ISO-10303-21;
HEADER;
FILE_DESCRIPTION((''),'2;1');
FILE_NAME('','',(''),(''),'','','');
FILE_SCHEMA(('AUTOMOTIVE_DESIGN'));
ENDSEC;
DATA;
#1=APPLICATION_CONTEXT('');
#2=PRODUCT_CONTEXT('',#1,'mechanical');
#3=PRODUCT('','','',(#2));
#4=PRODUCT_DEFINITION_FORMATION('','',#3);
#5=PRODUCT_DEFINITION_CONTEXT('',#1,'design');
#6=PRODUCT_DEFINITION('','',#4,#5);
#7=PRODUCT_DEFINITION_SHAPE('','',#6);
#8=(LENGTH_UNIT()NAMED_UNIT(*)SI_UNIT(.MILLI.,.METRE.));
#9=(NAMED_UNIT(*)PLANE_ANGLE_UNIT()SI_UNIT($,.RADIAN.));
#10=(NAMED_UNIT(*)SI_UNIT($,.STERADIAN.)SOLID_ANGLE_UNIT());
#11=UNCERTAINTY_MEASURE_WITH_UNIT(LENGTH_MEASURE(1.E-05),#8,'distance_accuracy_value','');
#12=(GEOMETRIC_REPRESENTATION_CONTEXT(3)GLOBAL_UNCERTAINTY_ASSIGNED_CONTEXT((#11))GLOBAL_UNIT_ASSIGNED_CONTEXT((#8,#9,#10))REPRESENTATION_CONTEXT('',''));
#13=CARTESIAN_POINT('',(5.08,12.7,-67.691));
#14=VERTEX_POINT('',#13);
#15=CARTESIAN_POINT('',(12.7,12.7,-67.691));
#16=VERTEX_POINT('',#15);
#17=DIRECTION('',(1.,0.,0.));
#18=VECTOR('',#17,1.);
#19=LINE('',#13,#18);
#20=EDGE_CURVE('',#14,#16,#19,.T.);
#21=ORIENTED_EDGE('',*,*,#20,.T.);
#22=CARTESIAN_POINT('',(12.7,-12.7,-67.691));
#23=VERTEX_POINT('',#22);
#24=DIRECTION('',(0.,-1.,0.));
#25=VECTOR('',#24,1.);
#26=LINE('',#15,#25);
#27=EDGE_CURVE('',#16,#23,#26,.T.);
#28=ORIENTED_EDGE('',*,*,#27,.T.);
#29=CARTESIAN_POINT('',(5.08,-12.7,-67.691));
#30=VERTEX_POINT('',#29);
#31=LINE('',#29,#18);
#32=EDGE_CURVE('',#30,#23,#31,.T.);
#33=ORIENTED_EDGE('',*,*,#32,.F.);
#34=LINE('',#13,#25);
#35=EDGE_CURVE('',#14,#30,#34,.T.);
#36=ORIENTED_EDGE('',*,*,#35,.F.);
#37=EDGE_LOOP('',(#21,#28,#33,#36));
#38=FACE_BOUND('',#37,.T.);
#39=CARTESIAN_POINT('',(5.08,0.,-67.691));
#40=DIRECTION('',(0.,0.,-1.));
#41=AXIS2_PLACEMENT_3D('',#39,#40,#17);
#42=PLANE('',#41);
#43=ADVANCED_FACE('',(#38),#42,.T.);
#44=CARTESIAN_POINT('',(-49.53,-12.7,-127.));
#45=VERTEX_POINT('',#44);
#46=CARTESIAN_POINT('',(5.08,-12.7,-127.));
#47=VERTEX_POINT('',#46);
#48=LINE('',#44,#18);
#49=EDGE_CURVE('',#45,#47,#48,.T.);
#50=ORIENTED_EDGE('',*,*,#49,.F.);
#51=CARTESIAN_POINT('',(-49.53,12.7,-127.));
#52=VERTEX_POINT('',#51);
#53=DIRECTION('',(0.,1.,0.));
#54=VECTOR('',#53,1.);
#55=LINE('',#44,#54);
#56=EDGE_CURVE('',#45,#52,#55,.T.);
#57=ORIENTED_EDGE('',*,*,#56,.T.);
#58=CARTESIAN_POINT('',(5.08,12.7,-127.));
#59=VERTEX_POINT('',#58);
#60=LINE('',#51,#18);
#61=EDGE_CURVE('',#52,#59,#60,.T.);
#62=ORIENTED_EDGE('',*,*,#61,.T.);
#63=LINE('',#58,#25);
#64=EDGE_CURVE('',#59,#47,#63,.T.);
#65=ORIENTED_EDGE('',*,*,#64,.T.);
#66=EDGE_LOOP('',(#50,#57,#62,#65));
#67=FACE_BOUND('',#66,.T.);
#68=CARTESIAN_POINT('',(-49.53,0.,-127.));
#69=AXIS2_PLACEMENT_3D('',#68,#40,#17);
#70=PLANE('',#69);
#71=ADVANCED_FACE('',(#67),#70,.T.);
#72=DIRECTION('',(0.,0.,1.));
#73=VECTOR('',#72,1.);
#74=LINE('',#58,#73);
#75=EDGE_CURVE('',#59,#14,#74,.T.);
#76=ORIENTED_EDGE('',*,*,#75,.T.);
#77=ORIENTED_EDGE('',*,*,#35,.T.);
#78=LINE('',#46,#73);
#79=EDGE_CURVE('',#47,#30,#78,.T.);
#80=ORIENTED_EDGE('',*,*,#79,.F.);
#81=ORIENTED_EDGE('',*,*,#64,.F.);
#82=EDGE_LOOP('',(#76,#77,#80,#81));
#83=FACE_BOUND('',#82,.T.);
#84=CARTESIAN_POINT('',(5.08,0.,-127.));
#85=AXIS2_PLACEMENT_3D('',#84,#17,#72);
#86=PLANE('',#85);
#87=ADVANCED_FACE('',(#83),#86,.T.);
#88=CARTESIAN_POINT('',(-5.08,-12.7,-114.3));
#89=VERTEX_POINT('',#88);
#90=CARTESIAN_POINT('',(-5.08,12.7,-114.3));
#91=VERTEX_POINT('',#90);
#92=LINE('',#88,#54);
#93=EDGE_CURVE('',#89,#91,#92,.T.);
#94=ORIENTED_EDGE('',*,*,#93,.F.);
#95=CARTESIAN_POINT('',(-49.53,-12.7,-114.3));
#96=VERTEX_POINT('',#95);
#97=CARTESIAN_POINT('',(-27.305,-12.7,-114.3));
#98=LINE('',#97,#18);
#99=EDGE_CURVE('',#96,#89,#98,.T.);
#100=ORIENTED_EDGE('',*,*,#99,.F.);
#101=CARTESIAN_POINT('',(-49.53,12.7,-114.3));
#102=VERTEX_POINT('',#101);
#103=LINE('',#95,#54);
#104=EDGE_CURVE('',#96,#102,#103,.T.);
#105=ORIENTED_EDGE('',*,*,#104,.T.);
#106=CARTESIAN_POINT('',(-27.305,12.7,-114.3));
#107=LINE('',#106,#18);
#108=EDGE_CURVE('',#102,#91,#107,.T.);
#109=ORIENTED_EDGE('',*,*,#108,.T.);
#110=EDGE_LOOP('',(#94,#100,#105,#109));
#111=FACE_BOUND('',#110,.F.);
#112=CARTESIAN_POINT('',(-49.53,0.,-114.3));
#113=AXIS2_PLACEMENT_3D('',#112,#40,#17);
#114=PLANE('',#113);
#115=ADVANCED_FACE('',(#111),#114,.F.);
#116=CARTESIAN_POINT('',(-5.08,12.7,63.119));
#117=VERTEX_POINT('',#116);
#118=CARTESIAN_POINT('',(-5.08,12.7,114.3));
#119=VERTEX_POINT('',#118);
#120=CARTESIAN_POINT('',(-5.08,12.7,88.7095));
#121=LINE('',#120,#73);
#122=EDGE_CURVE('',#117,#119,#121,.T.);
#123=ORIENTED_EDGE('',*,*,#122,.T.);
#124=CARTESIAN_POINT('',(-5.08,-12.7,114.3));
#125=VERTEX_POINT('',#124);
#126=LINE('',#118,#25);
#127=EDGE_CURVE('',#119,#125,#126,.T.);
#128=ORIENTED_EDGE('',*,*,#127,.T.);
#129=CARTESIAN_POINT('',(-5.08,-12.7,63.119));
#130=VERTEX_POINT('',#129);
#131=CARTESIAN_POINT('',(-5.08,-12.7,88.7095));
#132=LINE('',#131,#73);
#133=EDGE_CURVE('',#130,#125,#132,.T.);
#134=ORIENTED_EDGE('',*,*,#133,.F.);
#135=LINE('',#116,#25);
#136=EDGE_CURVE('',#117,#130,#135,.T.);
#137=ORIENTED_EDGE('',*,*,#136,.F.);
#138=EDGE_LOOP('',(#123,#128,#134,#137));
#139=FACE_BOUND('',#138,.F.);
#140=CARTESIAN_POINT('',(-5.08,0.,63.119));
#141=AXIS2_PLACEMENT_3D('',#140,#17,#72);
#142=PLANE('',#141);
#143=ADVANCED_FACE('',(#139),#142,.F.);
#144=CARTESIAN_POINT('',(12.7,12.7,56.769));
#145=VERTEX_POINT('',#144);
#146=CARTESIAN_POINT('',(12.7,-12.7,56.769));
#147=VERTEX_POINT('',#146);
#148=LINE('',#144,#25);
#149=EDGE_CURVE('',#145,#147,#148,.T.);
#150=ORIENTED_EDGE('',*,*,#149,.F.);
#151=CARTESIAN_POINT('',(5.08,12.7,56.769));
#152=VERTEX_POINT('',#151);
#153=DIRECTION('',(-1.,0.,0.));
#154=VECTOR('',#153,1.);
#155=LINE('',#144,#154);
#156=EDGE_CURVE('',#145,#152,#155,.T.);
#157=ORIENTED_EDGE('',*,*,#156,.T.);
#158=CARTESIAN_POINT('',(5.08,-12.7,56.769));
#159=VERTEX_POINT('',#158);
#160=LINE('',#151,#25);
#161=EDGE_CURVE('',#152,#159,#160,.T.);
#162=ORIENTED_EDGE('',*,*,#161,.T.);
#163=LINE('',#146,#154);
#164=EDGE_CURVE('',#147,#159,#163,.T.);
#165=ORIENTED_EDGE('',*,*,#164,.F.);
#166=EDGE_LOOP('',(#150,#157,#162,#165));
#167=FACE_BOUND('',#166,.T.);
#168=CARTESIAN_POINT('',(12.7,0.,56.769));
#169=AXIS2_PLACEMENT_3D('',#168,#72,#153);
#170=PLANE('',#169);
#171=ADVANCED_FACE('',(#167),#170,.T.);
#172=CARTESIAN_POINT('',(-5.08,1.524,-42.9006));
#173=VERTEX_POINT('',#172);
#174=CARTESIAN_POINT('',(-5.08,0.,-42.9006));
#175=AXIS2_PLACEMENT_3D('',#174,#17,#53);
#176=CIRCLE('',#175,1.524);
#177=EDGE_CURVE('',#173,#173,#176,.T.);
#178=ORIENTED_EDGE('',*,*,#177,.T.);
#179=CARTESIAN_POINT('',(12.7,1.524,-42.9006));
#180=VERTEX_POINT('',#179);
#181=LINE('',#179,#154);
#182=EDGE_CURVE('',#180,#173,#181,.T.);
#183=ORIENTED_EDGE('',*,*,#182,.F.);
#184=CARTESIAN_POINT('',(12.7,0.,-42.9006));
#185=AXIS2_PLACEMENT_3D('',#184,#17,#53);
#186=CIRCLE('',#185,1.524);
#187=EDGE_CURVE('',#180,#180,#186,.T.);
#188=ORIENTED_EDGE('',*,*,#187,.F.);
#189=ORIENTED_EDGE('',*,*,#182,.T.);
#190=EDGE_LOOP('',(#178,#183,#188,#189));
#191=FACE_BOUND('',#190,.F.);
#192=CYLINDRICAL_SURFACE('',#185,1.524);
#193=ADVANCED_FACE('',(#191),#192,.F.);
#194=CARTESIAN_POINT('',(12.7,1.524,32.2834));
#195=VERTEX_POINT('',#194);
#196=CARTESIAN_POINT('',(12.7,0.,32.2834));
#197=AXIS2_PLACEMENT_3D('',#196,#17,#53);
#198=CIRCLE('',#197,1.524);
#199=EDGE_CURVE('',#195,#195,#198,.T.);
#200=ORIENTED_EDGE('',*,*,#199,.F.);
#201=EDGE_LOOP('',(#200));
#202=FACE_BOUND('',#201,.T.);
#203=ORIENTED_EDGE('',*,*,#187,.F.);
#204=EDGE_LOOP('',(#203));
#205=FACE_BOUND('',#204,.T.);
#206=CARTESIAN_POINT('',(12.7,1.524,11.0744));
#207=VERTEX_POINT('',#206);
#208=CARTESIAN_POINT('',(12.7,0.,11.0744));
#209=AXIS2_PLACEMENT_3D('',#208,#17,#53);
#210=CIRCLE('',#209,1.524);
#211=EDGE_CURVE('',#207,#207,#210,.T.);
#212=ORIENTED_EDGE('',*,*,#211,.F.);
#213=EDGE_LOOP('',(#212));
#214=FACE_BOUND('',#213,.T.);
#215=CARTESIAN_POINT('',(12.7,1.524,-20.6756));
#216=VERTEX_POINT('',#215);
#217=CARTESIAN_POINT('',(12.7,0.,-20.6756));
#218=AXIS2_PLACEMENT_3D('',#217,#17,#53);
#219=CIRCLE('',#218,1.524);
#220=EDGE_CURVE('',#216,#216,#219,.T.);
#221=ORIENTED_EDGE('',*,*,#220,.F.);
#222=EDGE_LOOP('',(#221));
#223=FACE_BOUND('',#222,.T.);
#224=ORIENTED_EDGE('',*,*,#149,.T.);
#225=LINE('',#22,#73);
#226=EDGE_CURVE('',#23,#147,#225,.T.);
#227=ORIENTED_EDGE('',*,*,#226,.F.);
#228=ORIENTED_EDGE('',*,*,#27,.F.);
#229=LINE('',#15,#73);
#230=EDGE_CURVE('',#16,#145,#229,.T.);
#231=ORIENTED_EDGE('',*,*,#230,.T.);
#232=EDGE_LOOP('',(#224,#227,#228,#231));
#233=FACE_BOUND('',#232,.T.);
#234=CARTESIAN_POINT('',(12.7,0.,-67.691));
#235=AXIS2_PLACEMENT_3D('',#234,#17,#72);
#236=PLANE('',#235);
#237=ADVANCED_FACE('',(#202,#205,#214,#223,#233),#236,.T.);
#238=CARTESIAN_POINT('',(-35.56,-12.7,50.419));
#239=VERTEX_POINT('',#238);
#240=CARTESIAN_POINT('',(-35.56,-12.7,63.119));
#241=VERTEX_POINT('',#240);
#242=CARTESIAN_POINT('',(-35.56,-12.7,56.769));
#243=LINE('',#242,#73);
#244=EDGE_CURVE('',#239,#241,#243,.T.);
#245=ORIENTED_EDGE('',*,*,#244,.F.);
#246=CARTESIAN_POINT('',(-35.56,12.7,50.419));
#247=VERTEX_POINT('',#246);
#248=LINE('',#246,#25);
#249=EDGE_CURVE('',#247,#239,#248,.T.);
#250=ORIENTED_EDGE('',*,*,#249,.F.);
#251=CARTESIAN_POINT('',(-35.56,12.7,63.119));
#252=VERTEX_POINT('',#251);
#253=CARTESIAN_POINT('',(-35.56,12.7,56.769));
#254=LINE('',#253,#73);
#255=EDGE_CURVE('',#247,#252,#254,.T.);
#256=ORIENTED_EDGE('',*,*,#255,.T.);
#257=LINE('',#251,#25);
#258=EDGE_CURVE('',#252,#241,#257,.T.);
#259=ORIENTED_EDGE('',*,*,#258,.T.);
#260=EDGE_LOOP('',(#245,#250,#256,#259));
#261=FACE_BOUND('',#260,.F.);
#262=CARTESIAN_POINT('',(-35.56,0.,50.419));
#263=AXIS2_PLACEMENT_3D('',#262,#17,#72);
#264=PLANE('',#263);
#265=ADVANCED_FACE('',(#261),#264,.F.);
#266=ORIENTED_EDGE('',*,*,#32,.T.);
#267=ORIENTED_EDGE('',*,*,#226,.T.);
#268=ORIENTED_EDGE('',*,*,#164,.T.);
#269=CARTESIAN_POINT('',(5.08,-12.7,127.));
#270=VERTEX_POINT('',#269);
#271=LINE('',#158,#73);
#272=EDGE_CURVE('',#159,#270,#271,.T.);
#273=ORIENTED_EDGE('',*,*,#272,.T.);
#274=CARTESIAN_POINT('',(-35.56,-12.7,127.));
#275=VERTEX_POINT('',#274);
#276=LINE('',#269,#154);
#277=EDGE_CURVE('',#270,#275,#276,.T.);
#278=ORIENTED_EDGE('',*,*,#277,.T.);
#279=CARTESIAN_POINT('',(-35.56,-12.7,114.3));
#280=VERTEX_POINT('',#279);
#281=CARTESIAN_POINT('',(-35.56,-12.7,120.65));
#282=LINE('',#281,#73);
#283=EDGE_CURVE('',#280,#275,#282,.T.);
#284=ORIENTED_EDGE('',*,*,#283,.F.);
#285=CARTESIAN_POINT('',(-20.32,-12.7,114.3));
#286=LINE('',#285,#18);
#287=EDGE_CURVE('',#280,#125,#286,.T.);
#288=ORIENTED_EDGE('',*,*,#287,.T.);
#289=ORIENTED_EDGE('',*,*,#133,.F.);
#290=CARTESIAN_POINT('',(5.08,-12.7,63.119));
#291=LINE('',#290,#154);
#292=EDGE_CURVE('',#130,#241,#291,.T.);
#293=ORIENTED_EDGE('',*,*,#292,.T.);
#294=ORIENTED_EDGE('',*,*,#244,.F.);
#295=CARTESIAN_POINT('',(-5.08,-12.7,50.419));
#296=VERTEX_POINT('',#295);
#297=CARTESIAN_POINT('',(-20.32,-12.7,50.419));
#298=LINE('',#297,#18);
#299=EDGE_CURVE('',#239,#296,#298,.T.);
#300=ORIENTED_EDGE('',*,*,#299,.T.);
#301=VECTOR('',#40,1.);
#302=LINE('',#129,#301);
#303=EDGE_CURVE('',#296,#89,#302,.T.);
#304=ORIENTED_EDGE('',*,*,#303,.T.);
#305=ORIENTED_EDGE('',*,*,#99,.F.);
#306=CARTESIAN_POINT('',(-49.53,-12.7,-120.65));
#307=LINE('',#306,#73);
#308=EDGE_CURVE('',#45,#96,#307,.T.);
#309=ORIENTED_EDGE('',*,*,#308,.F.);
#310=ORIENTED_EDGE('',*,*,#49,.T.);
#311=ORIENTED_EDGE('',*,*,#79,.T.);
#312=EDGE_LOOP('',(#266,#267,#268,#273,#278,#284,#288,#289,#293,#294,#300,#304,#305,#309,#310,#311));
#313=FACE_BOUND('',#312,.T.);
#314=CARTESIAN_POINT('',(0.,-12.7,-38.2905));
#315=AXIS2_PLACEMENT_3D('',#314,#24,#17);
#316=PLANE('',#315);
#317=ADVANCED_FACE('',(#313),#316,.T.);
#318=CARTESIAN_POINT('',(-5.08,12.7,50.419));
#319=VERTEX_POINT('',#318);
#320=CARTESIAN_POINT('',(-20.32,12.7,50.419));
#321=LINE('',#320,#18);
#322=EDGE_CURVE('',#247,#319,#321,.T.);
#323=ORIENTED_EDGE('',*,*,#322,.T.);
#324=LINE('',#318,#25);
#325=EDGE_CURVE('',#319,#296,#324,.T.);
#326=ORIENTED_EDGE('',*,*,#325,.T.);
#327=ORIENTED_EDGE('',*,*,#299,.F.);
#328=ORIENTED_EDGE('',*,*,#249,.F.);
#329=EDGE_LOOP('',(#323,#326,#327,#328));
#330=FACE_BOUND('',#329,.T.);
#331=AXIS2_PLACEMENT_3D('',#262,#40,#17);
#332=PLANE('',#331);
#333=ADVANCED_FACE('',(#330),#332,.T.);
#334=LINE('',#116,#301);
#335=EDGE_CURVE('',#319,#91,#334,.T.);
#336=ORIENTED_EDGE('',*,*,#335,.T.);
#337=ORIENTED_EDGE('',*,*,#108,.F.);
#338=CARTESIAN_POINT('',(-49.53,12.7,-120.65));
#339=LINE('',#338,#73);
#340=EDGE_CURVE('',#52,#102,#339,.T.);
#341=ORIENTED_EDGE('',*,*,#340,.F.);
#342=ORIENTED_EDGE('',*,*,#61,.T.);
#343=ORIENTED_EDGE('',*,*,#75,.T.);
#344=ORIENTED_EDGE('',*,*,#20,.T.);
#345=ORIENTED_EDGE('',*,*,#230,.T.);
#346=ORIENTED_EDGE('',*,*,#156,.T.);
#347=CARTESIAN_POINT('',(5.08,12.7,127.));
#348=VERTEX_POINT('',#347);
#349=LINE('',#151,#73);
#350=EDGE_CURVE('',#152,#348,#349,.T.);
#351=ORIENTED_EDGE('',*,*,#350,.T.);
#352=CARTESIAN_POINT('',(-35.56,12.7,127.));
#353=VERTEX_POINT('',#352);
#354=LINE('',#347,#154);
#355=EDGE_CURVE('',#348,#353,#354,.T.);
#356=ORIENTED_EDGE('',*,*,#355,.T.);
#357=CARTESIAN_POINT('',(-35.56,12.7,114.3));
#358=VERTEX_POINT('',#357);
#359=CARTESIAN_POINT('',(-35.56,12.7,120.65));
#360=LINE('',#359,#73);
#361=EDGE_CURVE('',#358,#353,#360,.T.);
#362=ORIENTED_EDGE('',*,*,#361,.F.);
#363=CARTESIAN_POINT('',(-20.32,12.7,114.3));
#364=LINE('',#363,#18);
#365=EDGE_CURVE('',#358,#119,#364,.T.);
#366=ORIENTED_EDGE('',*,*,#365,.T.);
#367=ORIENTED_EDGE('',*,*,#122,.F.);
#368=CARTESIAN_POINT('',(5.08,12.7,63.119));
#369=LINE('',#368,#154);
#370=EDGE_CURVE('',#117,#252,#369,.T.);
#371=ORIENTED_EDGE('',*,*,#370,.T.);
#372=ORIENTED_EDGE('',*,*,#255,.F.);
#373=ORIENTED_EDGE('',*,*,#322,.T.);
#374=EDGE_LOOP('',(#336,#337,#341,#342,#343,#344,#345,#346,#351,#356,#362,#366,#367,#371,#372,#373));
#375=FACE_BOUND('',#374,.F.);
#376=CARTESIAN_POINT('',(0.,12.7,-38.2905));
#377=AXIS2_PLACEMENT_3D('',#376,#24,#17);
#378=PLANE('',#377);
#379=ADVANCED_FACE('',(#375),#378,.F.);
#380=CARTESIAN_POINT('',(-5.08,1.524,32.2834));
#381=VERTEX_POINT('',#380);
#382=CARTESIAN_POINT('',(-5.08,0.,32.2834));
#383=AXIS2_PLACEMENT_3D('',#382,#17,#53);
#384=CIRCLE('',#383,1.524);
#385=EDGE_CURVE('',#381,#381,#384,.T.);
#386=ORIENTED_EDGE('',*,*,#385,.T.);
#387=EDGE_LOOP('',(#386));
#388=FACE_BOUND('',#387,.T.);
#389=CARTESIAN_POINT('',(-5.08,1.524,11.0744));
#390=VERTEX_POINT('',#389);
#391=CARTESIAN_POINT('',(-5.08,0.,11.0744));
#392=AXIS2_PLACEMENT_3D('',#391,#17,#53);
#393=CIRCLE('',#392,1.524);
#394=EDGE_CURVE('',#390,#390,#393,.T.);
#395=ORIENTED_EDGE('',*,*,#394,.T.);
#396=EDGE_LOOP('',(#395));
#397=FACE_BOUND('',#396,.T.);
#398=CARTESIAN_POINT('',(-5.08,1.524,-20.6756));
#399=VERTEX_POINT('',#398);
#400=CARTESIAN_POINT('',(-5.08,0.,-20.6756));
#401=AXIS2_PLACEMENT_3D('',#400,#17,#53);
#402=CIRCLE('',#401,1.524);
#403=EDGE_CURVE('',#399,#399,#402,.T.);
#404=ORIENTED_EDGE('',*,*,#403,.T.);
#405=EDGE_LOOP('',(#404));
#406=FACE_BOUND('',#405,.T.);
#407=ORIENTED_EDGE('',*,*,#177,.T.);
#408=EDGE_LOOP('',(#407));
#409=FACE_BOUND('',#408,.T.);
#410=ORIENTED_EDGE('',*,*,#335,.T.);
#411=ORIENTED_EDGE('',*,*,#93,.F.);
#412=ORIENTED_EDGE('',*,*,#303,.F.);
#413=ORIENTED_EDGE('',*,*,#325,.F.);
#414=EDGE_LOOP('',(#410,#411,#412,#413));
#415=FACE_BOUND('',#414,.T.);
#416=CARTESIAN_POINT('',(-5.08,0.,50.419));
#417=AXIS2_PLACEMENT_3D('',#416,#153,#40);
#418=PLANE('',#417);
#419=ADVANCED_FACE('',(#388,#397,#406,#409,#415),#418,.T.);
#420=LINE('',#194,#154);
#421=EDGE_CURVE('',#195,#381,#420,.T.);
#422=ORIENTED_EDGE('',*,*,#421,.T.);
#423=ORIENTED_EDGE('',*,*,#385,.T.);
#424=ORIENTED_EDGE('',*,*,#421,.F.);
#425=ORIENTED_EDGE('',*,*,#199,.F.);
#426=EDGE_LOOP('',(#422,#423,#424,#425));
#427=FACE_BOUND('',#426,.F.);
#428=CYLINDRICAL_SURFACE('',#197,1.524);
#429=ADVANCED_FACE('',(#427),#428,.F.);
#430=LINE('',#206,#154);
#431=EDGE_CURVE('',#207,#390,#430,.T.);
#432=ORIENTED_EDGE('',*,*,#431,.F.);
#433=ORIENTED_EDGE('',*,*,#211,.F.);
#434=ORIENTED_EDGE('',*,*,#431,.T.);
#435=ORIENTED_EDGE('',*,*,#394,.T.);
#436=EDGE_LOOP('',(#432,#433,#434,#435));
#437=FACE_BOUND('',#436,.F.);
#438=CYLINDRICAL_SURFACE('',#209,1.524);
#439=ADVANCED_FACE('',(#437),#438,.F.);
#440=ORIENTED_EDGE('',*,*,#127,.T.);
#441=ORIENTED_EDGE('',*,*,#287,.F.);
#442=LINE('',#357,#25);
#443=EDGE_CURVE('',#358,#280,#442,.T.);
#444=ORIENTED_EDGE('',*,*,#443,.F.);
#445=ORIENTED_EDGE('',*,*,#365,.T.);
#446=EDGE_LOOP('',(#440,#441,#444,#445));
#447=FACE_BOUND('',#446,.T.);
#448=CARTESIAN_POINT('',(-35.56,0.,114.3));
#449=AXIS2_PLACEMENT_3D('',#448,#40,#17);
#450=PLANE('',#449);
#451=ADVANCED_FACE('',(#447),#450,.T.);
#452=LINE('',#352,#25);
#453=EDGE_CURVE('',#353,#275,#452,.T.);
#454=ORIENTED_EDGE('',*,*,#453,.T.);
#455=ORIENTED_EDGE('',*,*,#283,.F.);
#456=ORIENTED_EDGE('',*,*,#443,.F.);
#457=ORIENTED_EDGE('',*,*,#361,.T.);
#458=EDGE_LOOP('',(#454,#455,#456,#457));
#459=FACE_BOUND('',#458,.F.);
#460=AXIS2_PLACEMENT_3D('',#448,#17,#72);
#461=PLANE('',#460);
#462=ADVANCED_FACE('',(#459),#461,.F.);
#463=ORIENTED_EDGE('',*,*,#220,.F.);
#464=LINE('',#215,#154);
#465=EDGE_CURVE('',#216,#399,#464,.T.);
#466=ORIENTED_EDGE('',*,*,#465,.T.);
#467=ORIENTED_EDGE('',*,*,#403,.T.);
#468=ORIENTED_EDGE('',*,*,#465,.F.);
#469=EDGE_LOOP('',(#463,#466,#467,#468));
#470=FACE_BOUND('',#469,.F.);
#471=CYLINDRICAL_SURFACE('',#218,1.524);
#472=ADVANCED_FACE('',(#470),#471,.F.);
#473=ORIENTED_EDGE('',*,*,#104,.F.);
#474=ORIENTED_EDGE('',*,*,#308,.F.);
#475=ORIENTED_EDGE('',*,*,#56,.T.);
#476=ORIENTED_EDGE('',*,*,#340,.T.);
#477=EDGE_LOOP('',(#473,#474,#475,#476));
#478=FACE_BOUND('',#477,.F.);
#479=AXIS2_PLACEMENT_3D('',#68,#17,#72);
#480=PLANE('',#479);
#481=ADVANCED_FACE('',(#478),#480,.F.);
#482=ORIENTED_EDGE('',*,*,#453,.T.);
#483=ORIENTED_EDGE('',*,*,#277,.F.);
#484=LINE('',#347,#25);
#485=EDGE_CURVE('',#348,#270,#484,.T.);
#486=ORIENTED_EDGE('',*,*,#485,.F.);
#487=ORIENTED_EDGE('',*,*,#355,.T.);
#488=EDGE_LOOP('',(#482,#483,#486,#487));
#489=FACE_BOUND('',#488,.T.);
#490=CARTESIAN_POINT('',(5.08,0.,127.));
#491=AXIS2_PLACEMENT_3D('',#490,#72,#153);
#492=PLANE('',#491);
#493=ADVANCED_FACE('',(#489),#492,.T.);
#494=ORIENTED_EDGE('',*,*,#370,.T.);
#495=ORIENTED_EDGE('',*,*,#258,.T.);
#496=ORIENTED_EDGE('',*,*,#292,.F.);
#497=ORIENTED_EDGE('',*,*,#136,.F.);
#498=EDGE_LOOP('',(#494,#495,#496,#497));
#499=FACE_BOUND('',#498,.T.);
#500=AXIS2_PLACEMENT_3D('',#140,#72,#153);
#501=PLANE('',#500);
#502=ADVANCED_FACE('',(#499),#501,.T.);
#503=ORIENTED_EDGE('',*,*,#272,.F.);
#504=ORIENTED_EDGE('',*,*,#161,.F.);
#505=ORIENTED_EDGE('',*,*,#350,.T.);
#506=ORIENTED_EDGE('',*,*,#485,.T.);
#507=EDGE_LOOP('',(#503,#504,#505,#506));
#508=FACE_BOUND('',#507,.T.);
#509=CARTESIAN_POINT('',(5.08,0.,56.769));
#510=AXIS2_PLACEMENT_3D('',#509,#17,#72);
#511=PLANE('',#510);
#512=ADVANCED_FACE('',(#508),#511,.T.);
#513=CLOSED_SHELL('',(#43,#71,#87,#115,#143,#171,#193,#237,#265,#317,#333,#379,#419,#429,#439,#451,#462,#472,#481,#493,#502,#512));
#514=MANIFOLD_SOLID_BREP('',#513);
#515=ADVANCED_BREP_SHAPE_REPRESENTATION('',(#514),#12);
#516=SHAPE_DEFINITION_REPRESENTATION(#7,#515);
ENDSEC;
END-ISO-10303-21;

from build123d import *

# Parameters (mm, degrees)
F0_W     = 44.45
F0_H     = 12.7
F0_W_2   = 30.48
F0_W_3   = 10.16
F0_H_2   = 51.181
F1_DEPTH = 12.7
F2_R     = 1.524
F3_DEPTH = 25.4


with BuildPart() as f1:
    # F0 (on Front) → F1 (new body, symmetric)
    with BuildSketch(Plane.XZ):
        Polygon((-5.08, -127), (5.08, -127), (5.08, -67.691), (5.08, 50.419), (-5.08, 50.419), (-5.08, -114.3), align=None)
        with Locations((-27.305, -120.65)):
            Rectangle(F0_W, F0_H)
        Polygon((5.08, 50.419), (5.08, -67.691), (12.7, -67.691), (12.7, 56.769), (5.08, 56.769), align=None)
        Polygon((-5.08, 50.419), (5.08, 50.419), (5.08, 56.769), (5.08, 63.119), (-5.08, 63.119), align=None)
        with Locations((-20.32, 56.769)):
            Rectangle(F0_W_2, F0_H)
        with Locations((0, 88.7095)):
            Rectangle(F0_W_3, F0_H_2)
        with Locations((-20.32, 120.65)):
            Rectangle(F0_W_2, F0_H)
        with Locations((0, 120.65)):
            Rectangle(F0_W_3, F0_H)
    extrude(amount=F1_DEPTH, both=True)

    # F2 (on face) → F3 (cut)
    with BuildSketch(Plane.YZ.offset(12.7)):
        with Locations((0, 32.2834)):
            Circle(F2_R)
        with Locations((0, 11.0744)):
            Circle(F2_R)
        with Locations((0, -20.6756)):
            Circle(F2_R)
        with Locations((0, -42.9006)):
            Circle(F2_R)
    extrude(amount=-F3_DEPTH, mode=Mode.SUBTRACT)


solid = f1.part
